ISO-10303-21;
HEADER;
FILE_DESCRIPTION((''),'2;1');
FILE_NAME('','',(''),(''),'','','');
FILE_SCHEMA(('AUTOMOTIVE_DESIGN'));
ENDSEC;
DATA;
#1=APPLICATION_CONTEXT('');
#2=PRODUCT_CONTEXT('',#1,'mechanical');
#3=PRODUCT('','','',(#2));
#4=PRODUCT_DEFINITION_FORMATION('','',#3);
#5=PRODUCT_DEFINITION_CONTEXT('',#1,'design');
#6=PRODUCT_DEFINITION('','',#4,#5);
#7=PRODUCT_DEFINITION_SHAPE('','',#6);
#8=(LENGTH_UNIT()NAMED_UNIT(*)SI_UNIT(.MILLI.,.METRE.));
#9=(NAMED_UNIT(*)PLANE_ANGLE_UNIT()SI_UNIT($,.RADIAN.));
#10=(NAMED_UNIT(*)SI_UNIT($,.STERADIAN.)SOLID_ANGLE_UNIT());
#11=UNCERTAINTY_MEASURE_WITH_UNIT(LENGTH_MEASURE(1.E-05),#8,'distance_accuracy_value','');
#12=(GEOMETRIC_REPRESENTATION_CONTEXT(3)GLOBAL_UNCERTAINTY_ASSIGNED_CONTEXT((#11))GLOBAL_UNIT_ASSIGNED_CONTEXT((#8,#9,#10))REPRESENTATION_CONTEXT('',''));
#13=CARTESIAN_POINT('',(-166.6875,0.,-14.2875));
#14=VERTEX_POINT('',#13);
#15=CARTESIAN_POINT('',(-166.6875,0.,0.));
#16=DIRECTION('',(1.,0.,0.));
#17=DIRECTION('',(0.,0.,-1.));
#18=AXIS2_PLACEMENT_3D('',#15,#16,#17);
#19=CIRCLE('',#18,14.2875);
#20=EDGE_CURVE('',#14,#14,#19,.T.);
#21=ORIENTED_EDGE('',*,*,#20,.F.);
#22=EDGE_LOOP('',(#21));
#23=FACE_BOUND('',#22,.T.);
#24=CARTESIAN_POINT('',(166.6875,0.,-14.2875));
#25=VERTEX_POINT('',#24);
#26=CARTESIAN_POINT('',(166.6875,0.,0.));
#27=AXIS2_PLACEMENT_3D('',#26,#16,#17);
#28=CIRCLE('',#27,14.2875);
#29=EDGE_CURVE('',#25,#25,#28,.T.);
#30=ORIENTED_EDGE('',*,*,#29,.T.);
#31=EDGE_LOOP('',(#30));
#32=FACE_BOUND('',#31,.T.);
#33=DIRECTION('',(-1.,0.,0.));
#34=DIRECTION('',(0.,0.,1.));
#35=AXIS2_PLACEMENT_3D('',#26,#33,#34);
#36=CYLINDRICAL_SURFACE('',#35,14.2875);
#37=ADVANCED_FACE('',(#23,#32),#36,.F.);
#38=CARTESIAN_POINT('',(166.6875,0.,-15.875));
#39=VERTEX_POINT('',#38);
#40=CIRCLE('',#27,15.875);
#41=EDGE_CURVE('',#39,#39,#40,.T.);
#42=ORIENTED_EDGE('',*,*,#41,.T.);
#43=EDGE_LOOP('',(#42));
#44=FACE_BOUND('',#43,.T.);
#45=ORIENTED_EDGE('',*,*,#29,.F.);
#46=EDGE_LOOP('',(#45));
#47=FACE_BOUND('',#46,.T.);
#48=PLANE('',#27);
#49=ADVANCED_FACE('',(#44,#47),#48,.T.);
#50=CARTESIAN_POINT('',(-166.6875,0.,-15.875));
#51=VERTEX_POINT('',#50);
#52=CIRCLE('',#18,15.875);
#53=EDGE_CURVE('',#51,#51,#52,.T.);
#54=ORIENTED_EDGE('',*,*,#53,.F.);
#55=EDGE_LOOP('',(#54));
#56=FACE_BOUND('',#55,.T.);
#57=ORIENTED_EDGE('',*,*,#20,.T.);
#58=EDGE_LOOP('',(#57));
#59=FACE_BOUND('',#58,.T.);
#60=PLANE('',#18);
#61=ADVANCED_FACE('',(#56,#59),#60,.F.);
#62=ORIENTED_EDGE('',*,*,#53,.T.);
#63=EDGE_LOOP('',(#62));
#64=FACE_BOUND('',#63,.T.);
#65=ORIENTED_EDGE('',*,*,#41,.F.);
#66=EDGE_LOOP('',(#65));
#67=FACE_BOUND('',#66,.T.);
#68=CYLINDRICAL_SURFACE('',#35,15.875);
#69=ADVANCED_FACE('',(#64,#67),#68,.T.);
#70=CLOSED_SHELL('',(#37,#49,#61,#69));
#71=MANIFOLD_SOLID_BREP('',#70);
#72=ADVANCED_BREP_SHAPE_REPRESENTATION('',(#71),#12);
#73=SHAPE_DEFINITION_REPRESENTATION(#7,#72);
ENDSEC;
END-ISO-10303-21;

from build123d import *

# Parameters (mm, degrees)
SKETCH1_R           = 15.875
SKETCH1_R_2         = 14.2875
EXTRUDE_THIN1_DEPTH = 166.6875


with BuildPart() as part:
    # Sketch1 → Extrude-Thin1 (new, symmetric)
    with BuildSketch(Plane(origin=(0, 0, 0), x_dir=(0, 0, -1), z_dir=(1, 0, 0))):
        Circle(SKETCH1_R)
        Circle(SKETCH1_R_2, mode=Mode.SUBTRACT)
    extrude(amount=EXTRUDE_THIN1_DEPTH, both=True)


solid = part.part
